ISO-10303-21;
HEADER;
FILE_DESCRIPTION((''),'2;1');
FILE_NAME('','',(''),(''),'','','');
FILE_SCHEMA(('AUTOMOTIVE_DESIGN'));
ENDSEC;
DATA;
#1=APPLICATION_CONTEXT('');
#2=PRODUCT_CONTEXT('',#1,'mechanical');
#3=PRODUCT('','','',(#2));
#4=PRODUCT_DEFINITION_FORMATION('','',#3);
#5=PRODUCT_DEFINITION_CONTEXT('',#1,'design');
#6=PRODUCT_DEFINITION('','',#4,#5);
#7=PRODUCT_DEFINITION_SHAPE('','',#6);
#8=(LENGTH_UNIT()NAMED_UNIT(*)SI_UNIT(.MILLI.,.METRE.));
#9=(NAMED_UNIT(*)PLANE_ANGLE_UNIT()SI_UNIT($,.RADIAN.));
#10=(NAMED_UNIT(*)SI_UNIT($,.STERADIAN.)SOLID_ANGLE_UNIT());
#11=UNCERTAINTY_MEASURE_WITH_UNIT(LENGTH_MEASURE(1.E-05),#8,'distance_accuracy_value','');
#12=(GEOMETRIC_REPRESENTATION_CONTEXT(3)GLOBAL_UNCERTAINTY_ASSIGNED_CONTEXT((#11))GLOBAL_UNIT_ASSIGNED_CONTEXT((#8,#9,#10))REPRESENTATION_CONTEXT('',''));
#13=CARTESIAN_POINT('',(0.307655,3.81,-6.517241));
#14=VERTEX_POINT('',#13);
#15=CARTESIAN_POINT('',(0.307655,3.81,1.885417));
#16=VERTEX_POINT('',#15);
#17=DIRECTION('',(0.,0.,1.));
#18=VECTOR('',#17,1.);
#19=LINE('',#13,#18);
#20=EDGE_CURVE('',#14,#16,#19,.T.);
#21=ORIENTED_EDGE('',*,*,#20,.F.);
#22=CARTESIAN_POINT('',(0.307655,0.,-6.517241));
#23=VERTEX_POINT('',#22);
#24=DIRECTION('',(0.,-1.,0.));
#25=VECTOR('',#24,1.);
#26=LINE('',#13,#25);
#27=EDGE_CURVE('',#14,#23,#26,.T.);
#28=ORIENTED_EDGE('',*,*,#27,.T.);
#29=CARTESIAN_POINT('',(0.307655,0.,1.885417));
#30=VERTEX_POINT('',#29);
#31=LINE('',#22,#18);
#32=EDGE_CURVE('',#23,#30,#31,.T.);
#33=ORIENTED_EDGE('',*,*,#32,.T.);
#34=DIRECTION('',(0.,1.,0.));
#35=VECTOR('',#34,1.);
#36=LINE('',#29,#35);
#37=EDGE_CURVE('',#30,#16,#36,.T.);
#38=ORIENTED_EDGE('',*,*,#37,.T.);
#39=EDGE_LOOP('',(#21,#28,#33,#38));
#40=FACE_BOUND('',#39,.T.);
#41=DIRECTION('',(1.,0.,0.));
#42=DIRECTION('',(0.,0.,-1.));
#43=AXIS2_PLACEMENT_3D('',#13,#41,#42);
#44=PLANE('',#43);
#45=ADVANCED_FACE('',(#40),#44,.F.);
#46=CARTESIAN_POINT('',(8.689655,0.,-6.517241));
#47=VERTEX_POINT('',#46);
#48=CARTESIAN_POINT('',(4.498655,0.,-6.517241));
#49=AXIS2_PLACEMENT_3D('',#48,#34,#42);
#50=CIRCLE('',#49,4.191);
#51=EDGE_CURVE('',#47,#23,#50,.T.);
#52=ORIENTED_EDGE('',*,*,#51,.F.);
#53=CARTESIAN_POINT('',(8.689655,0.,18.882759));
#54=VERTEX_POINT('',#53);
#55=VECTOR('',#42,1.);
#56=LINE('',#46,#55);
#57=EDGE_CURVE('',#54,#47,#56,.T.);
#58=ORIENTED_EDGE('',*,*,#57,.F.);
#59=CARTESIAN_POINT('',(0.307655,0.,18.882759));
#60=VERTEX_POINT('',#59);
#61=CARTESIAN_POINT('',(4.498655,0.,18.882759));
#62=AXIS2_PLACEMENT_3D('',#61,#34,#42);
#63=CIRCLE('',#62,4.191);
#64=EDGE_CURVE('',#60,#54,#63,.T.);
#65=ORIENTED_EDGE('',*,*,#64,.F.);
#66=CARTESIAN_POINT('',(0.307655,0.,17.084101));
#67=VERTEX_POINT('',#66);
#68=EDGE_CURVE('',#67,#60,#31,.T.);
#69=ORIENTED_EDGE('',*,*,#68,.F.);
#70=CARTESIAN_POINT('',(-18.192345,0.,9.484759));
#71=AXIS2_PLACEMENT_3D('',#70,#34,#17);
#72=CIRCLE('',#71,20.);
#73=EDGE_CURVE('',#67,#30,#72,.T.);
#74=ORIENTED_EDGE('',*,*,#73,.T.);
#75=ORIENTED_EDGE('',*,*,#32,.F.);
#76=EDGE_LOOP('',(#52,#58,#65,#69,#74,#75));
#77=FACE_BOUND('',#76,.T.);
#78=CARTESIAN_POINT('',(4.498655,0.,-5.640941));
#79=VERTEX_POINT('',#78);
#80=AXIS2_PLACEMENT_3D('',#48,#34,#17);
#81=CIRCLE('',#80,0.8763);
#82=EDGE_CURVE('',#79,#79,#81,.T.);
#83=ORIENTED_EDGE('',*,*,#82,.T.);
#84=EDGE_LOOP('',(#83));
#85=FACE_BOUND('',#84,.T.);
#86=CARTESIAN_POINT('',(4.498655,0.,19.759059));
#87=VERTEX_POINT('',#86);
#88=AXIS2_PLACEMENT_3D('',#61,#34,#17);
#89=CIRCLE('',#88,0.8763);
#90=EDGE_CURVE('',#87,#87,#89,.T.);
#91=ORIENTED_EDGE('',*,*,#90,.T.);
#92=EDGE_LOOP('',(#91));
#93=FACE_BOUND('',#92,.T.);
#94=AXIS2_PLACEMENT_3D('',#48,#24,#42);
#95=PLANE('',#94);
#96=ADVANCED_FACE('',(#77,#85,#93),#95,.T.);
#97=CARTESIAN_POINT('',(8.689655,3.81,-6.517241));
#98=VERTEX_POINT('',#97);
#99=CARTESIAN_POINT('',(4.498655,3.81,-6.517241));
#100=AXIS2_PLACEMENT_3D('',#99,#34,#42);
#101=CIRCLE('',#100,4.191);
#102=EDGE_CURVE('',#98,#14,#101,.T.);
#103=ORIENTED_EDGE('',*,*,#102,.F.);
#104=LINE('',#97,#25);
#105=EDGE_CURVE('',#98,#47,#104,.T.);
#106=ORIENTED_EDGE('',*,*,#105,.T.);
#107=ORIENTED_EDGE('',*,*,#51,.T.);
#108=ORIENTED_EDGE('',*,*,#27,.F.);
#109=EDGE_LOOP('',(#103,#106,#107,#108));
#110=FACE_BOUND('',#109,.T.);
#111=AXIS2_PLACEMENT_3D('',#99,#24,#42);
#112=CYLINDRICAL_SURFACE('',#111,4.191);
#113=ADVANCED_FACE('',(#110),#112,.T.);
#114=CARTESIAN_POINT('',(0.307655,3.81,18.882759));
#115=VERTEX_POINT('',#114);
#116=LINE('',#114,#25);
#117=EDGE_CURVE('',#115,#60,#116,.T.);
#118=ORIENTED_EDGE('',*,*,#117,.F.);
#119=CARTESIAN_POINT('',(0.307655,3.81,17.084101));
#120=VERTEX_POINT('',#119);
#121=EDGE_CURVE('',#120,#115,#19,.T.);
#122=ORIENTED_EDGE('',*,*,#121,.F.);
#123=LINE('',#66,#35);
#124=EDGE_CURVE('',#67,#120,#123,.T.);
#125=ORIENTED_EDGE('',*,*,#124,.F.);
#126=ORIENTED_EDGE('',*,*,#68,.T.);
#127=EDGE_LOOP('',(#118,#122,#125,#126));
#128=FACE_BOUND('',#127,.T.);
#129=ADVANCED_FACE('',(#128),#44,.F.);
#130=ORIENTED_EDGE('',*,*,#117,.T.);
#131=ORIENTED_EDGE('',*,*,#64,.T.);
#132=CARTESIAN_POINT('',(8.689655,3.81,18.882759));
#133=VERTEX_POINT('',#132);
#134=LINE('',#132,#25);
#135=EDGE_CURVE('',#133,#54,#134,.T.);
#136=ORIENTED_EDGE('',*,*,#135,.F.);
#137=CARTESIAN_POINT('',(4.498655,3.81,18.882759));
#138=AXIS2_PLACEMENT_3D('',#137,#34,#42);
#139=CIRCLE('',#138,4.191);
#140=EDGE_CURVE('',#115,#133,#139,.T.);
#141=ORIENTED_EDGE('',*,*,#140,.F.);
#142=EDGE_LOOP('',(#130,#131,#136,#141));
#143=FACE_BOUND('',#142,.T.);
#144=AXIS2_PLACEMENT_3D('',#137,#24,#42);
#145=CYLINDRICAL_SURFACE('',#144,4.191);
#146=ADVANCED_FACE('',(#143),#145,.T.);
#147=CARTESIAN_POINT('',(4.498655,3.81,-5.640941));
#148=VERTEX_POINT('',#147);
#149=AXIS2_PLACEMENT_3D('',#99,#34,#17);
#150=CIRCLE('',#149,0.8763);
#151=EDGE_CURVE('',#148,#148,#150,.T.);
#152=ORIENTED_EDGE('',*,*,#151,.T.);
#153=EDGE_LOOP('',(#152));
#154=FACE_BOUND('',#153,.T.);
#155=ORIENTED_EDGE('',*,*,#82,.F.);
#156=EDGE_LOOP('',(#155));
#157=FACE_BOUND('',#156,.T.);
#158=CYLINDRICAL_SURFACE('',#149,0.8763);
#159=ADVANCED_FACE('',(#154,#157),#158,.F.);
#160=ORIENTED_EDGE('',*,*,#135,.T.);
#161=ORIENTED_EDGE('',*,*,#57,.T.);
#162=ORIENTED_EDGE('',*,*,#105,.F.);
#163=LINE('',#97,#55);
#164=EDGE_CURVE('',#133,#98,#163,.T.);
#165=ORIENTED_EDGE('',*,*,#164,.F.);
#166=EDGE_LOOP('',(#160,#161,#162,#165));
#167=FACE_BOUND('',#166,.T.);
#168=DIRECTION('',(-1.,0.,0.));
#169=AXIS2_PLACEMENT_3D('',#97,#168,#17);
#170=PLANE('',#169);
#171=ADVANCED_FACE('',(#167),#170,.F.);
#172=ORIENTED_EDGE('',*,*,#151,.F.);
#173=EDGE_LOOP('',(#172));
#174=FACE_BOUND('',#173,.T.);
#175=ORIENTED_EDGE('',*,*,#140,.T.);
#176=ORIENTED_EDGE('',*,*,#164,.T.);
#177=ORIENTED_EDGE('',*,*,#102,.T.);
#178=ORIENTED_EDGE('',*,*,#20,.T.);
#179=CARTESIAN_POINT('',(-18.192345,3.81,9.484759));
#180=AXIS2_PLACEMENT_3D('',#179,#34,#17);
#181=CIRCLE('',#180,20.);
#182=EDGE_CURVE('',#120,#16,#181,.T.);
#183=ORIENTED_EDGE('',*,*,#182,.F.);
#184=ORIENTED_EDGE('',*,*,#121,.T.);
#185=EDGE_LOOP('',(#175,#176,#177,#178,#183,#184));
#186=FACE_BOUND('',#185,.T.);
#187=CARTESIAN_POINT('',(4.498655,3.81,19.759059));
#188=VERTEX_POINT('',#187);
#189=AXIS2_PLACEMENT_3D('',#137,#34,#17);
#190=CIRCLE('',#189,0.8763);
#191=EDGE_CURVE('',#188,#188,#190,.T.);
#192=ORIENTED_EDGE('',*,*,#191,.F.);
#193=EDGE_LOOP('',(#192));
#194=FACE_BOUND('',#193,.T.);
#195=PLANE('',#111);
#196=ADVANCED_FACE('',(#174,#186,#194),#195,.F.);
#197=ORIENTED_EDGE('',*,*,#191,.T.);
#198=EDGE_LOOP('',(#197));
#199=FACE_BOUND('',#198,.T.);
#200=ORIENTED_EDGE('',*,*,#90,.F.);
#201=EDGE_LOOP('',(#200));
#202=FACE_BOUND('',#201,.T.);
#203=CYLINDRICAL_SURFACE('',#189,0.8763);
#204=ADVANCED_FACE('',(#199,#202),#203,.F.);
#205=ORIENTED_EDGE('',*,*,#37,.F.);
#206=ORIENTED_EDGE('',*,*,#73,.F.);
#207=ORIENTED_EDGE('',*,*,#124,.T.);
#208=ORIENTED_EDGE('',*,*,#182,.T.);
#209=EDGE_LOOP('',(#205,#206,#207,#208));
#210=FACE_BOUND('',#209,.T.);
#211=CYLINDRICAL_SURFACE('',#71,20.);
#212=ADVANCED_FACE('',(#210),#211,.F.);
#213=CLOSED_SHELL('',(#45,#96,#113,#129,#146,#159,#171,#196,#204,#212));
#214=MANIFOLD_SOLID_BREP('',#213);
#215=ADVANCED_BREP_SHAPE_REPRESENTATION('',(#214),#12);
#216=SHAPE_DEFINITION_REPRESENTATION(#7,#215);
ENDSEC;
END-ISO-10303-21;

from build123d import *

# Parameters (mm, degrees)
BOSS_EXTRUDE1_DEPTH   = 3.81
F_4_40_TAPPED_HOLE1_D = 1.7526
CUT_EXTRUDE1_DEPTH    = 25.948437705


with BuildPart() as part:
    # Sketch1 → Boss-Extrude1 (new body)
    with BuildSketch(Plane(origin=(0, 0, 0), x_dir=(1, 0, 0), z_dir=(0, 1, 0))):
        with BuildLine():
            Line((0.307655172, 6.517241379), (0.307655172, -18.882758621))
            ThreePointArc((0.307655172, -18.882758621), (4.498655172, -23.073758621), (8.689655172, -18.882758621))
            Line((8.689655172, -18.882758621), (8.689655172, 6.517241379))
            ThreePointArc((8.689655172, 6.517241379), (4.498655172, 10.708241379), (0.307655172, 6.517241379))
        make_face()
    extrude(amount=BOSS_EXTRUDE1_DEPTH)

    # #4-40 Tapped Hole1 (through all)
    with Locations(Plane(origin=(0, 3.81, 0), x_dir=(1, 0, 0), z_dir=(0, 1, 0))):
        with Locations((4.498655172, 6.517241379), (4.498655172, -18.882758621)):
            Hole(F_4_40_TAPPED_HOLE1_D / 2)

    # Sketch4 → Cut-Extrude1 (cut, through all)
    with BuildSketch(Plane(origin=(0, 3.81, 0), x_dir=(1, 0, 0), z_dir=(0, 1, 0))):
        with BuildLine():
            Line((0.307655172, -17.084100697), (0.307655172, -1.885416544))
            ThreePointArc((0.307655172, -1.885416544), (1.807655172, -9.484758621), (0.307655172, -17.084100697))
        make_face()
    extrude(amount=-CUT_EXTRUDE1_DEPTH, mode=Mode.SUBTRACT)


solid = part.part
